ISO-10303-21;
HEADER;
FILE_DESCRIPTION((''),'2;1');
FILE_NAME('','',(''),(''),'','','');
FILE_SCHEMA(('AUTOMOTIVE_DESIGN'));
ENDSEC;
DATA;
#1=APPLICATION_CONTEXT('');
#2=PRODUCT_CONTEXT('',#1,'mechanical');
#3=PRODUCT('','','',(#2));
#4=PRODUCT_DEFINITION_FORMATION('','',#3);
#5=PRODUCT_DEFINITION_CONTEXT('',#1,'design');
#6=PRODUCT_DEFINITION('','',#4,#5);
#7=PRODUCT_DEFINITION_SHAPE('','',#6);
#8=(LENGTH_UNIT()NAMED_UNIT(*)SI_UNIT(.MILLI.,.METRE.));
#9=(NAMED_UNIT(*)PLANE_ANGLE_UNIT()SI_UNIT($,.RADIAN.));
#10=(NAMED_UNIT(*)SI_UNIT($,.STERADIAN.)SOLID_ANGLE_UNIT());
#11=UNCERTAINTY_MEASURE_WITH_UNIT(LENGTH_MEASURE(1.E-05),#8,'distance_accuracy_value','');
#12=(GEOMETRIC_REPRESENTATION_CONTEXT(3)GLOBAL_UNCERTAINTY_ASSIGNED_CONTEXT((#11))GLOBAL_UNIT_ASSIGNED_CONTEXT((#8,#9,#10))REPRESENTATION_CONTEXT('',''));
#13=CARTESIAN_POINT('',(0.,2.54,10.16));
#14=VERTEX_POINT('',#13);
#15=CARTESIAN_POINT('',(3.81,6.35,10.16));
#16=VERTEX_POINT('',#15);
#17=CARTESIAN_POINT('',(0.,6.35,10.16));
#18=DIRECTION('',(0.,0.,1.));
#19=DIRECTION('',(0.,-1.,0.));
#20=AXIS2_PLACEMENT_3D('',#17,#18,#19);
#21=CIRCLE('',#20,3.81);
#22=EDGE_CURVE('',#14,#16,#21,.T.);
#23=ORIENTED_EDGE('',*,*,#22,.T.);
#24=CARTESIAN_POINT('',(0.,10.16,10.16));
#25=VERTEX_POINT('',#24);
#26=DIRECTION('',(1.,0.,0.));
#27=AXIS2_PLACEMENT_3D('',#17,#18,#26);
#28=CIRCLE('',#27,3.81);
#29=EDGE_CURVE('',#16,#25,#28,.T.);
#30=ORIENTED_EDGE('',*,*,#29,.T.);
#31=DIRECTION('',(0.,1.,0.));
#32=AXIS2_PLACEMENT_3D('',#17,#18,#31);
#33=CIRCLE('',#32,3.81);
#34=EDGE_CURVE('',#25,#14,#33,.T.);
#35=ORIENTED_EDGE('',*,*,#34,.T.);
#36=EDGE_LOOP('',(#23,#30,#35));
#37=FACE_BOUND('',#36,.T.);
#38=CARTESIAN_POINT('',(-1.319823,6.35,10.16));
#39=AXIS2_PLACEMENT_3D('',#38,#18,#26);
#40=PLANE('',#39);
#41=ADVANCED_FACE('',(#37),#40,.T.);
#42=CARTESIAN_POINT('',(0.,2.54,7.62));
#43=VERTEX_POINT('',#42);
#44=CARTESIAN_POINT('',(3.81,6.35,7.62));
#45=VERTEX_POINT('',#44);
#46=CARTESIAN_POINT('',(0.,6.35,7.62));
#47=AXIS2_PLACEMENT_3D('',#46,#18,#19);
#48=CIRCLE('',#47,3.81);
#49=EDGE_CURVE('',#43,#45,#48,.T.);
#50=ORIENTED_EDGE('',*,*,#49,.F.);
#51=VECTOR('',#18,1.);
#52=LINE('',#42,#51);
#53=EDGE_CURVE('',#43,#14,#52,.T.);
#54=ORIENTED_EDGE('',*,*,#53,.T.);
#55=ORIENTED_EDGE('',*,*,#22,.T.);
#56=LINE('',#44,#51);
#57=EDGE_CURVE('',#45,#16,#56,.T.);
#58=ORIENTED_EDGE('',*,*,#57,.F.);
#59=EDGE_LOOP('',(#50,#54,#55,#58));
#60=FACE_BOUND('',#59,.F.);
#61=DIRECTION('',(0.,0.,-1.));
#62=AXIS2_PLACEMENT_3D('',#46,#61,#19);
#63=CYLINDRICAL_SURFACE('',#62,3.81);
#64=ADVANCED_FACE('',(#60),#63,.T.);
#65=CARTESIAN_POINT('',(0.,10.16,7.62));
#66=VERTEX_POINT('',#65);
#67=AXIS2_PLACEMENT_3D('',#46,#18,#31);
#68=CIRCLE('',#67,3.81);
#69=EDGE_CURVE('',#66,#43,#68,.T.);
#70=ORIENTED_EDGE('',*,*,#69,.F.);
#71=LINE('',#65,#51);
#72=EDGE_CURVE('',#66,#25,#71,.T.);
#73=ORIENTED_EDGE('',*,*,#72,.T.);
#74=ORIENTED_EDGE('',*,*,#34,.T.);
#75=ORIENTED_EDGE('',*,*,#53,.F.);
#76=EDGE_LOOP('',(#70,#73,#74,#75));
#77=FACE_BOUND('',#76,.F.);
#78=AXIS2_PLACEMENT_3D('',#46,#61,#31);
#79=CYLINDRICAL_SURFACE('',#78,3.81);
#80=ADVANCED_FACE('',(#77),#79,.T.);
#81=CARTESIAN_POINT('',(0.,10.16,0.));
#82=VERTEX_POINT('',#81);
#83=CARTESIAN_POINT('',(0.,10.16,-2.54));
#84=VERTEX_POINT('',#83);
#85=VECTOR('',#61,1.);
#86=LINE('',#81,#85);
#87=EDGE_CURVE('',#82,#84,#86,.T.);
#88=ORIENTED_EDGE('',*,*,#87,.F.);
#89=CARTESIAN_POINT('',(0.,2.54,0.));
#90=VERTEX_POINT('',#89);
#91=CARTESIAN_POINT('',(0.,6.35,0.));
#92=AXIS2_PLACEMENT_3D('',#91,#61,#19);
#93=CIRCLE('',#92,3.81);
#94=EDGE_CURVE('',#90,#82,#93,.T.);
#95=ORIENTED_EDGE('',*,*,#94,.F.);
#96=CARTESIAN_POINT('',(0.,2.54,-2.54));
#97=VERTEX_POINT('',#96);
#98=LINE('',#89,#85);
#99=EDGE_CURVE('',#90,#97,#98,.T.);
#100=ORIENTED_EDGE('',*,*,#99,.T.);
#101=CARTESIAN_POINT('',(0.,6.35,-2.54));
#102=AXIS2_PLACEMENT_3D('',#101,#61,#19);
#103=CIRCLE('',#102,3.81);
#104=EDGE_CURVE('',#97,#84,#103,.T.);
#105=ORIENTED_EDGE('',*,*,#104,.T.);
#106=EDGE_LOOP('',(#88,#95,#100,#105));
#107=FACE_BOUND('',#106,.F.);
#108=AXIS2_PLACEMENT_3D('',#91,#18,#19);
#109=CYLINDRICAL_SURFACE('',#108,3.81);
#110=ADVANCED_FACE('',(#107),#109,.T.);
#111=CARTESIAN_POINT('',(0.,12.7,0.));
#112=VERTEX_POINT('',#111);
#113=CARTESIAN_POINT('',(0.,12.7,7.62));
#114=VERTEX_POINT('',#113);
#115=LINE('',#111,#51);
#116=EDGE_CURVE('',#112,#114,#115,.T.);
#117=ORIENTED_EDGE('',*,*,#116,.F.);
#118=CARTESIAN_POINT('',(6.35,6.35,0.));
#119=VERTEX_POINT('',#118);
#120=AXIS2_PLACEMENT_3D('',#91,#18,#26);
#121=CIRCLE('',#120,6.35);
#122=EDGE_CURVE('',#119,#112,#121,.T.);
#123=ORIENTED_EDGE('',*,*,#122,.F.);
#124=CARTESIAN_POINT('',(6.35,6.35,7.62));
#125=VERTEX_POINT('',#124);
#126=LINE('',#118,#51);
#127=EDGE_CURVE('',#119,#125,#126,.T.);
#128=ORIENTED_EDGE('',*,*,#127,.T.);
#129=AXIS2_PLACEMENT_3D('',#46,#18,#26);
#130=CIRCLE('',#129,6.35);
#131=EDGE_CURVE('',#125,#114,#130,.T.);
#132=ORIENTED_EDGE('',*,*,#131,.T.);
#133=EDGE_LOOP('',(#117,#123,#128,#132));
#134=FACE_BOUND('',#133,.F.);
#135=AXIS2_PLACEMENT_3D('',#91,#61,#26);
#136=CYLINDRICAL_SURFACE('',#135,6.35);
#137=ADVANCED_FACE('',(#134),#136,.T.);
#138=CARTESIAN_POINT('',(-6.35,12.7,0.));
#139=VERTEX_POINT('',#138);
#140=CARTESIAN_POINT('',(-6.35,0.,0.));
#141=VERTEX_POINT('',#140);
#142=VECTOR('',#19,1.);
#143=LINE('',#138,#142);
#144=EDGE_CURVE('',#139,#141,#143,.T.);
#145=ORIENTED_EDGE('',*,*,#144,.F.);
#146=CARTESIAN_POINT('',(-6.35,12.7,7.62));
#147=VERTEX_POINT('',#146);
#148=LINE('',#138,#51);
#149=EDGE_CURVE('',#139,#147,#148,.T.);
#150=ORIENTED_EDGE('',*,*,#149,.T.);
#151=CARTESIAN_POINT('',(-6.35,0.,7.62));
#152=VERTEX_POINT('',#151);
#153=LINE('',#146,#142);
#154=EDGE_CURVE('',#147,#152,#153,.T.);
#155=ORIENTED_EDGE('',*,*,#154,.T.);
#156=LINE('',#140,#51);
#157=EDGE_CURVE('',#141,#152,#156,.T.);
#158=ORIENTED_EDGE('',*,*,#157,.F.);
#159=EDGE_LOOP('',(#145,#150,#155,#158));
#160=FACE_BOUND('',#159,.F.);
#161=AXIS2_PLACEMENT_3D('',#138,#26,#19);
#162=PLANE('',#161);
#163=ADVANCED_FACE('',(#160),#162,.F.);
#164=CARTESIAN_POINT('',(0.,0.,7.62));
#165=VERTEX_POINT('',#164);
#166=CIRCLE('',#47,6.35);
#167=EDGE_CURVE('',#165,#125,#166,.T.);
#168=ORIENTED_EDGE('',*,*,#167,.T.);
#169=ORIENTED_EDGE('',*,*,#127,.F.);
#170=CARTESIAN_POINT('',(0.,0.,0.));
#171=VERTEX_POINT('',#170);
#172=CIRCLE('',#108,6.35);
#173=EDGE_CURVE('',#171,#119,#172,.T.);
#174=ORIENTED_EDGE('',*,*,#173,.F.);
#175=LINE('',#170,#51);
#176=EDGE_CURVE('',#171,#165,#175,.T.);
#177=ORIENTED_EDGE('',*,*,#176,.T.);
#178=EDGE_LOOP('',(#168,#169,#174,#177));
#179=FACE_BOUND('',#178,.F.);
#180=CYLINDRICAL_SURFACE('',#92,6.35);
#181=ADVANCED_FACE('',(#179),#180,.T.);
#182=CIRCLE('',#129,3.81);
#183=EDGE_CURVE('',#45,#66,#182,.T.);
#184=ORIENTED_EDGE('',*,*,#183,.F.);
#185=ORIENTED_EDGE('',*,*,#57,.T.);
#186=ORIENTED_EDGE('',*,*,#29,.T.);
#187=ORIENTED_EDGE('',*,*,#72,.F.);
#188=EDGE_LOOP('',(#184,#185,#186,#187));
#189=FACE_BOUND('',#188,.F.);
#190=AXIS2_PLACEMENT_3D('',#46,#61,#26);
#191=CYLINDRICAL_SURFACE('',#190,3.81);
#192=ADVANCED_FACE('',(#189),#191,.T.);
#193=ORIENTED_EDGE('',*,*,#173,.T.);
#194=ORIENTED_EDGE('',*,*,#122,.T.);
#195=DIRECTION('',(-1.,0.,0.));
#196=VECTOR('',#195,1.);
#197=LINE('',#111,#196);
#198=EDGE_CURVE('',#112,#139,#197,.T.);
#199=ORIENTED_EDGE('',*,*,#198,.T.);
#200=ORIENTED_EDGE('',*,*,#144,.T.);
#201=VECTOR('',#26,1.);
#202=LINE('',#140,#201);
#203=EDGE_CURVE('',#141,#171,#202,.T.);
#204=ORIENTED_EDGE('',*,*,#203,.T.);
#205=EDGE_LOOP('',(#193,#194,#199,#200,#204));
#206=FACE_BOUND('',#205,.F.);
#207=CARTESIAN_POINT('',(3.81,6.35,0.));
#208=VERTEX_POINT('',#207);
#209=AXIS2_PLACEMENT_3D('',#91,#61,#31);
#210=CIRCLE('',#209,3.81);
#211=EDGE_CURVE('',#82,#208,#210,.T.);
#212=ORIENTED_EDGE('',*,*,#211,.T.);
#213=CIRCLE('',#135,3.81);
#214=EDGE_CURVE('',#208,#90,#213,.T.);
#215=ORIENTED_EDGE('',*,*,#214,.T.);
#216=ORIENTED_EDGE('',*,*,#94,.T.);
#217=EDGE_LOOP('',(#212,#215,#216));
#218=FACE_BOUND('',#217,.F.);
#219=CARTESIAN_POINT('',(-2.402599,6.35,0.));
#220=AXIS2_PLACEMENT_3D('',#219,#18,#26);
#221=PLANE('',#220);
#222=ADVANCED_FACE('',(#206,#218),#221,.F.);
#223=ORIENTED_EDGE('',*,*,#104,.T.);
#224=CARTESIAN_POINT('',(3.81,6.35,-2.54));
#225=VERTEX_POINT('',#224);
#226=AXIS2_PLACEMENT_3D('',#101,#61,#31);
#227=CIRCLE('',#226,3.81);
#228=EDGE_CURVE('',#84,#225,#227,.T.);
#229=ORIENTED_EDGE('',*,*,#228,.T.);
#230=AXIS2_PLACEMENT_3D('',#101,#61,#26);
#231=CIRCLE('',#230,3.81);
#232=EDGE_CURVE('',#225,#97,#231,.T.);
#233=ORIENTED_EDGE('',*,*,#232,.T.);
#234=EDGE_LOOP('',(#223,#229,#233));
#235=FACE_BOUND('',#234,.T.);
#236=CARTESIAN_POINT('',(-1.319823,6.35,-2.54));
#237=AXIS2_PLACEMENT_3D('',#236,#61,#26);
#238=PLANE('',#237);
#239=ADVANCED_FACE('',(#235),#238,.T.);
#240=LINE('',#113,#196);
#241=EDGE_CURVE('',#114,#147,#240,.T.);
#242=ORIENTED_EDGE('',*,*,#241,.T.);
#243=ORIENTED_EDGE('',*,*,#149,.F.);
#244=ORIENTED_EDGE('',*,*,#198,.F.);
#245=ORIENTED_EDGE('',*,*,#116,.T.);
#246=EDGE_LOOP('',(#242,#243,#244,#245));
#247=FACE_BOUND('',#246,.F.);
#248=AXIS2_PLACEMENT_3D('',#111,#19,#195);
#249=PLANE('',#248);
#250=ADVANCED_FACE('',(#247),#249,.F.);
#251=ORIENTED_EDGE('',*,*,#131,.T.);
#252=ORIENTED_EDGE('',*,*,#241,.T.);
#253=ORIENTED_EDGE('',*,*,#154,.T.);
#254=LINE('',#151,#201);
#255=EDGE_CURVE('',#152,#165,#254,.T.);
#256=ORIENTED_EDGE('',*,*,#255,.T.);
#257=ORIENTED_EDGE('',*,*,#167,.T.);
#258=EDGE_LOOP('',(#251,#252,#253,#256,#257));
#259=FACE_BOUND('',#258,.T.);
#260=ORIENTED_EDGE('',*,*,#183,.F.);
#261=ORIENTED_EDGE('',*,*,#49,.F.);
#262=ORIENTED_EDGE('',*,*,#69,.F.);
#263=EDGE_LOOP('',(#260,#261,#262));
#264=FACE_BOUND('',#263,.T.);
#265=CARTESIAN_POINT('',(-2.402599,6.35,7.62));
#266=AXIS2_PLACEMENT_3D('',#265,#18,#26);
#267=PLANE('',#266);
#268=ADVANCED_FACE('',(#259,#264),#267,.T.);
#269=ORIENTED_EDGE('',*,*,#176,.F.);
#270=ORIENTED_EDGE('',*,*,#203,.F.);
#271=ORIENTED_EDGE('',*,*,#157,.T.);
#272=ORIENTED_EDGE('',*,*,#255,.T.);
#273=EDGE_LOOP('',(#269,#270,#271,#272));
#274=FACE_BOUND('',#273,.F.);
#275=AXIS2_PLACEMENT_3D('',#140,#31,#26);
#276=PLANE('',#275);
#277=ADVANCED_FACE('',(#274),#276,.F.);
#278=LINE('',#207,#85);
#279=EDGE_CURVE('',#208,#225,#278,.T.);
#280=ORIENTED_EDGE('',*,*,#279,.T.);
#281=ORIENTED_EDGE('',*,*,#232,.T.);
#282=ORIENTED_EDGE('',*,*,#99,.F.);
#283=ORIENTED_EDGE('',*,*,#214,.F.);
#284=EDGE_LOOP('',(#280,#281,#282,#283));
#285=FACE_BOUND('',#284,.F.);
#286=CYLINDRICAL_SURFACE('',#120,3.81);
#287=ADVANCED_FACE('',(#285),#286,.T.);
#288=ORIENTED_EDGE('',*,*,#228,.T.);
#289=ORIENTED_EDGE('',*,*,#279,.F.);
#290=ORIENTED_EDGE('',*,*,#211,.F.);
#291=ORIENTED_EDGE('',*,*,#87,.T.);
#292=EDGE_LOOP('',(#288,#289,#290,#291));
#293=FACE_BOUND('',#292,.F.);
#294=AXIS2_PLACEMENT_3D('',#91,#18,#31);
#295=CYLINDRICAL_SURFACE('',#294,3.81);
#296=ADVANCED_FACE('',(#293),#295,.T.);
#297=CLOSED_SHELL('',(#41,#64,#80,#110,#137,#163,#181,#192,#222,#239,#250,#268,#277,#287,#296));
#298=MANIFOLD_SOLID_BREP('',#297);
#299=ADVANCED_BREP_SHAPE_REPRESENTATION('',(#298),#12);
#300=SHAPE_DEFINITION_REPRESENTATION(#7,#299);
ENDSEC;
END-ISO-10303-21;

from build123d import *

# Parameters (mm, degrees)
F1_DEPTH = 7.62
F3_DEPTH = 2.54
F5_DEPTH = 2.54


with BuildPart() as f1:
    # F0 (on Top) → F1 (new body)
    with BuildSketch(Plane.XY):
        with BuildLine():
            ThreePointArc((-6.35, 6.35), (-4.4901280605, 1.8598719395), (0, 0))
            Line((0, 0), (0, 12.7))
            ThreePointArc((0, 12.7), (-4.4901280605, 10.8401280605), (-6.35, 6.35))
        make_face()
        with BuildLine():
            Line((0, 12.7), (0, 0))
            ThreePointArc((0, 0), (4.4901280605, 1.8598719395), (6.35, 6.35))
            ThreePointArc((6.35, 6.35), (4.4901280605, 10.8401280605), (0, 12.7))
        make_face()
        with BuildLine():
            Line((-6.35, 0), (0, 0))
            ThreePointArc((0, 0), (-4.4901280605, 1.8598719395), (-6.35, 6.35))
            Line((-6.35, 6.35), (-6.35, 0))
        make_face()
        with BuildLine():
            ThreePointArc((-6.35, 6.35), (-4.4901280605, 10.8401280605), (0, 12.7))
            Line((0, 12.7), (-6.35, 12.7))
            Line((-6.35, 12.7), (-6.35, 6.35))
        make_face()
    extrude(amount=F1_DEPTH)

    # F2 (on face) → F3 (join)
    with BuildSketch(Plane.XY.offset(7.62)):
        with BuildLine():
            ThreePointArc((0, 10.16), (-3.81, 6.35), (0, 2.54))
            Line((0, 2.54), (0, 10.16))
        make_face()
        with BuildLine():
            Line((0, 10.16), (0, 2.54))
            ThreePointArc((0, 2.54), (2.6940768363, 3.6559231637), (3.81, 6.35))
            ThreePointArc((3.81, 6.35), (2.6940768363, 9.0440768363), (0, 10.16))
        make_face()
    extrude(amount=F3_DEPTH)

    # F4 (on face) → F5 (join)
    with BuildSketch(Plane(origin=(0, 0, 0), x_dir=(1, 0, 0), z_dir=(0, 0, -1))):
        with BuildLine():
            ThreePointArc((0, -2.54), (-3.81, -6.35), (0, -10.16))
            Line((0, -10.16), (0, -2.54))
        make_face()
        with BuildLine():
            Line((0, -2.54), (0, -10.16))
            ThreePointArc((0, -10.16), (2.6940768363, -9.0440768363), (3.81, -6.35))
            ThreePointArc((3.81, -6.35), (2.6940768363, -3.6559231637), (0, -2.54))
        make_face()
    extrude(amount=F5_DEPTH)


solid = f1.part
